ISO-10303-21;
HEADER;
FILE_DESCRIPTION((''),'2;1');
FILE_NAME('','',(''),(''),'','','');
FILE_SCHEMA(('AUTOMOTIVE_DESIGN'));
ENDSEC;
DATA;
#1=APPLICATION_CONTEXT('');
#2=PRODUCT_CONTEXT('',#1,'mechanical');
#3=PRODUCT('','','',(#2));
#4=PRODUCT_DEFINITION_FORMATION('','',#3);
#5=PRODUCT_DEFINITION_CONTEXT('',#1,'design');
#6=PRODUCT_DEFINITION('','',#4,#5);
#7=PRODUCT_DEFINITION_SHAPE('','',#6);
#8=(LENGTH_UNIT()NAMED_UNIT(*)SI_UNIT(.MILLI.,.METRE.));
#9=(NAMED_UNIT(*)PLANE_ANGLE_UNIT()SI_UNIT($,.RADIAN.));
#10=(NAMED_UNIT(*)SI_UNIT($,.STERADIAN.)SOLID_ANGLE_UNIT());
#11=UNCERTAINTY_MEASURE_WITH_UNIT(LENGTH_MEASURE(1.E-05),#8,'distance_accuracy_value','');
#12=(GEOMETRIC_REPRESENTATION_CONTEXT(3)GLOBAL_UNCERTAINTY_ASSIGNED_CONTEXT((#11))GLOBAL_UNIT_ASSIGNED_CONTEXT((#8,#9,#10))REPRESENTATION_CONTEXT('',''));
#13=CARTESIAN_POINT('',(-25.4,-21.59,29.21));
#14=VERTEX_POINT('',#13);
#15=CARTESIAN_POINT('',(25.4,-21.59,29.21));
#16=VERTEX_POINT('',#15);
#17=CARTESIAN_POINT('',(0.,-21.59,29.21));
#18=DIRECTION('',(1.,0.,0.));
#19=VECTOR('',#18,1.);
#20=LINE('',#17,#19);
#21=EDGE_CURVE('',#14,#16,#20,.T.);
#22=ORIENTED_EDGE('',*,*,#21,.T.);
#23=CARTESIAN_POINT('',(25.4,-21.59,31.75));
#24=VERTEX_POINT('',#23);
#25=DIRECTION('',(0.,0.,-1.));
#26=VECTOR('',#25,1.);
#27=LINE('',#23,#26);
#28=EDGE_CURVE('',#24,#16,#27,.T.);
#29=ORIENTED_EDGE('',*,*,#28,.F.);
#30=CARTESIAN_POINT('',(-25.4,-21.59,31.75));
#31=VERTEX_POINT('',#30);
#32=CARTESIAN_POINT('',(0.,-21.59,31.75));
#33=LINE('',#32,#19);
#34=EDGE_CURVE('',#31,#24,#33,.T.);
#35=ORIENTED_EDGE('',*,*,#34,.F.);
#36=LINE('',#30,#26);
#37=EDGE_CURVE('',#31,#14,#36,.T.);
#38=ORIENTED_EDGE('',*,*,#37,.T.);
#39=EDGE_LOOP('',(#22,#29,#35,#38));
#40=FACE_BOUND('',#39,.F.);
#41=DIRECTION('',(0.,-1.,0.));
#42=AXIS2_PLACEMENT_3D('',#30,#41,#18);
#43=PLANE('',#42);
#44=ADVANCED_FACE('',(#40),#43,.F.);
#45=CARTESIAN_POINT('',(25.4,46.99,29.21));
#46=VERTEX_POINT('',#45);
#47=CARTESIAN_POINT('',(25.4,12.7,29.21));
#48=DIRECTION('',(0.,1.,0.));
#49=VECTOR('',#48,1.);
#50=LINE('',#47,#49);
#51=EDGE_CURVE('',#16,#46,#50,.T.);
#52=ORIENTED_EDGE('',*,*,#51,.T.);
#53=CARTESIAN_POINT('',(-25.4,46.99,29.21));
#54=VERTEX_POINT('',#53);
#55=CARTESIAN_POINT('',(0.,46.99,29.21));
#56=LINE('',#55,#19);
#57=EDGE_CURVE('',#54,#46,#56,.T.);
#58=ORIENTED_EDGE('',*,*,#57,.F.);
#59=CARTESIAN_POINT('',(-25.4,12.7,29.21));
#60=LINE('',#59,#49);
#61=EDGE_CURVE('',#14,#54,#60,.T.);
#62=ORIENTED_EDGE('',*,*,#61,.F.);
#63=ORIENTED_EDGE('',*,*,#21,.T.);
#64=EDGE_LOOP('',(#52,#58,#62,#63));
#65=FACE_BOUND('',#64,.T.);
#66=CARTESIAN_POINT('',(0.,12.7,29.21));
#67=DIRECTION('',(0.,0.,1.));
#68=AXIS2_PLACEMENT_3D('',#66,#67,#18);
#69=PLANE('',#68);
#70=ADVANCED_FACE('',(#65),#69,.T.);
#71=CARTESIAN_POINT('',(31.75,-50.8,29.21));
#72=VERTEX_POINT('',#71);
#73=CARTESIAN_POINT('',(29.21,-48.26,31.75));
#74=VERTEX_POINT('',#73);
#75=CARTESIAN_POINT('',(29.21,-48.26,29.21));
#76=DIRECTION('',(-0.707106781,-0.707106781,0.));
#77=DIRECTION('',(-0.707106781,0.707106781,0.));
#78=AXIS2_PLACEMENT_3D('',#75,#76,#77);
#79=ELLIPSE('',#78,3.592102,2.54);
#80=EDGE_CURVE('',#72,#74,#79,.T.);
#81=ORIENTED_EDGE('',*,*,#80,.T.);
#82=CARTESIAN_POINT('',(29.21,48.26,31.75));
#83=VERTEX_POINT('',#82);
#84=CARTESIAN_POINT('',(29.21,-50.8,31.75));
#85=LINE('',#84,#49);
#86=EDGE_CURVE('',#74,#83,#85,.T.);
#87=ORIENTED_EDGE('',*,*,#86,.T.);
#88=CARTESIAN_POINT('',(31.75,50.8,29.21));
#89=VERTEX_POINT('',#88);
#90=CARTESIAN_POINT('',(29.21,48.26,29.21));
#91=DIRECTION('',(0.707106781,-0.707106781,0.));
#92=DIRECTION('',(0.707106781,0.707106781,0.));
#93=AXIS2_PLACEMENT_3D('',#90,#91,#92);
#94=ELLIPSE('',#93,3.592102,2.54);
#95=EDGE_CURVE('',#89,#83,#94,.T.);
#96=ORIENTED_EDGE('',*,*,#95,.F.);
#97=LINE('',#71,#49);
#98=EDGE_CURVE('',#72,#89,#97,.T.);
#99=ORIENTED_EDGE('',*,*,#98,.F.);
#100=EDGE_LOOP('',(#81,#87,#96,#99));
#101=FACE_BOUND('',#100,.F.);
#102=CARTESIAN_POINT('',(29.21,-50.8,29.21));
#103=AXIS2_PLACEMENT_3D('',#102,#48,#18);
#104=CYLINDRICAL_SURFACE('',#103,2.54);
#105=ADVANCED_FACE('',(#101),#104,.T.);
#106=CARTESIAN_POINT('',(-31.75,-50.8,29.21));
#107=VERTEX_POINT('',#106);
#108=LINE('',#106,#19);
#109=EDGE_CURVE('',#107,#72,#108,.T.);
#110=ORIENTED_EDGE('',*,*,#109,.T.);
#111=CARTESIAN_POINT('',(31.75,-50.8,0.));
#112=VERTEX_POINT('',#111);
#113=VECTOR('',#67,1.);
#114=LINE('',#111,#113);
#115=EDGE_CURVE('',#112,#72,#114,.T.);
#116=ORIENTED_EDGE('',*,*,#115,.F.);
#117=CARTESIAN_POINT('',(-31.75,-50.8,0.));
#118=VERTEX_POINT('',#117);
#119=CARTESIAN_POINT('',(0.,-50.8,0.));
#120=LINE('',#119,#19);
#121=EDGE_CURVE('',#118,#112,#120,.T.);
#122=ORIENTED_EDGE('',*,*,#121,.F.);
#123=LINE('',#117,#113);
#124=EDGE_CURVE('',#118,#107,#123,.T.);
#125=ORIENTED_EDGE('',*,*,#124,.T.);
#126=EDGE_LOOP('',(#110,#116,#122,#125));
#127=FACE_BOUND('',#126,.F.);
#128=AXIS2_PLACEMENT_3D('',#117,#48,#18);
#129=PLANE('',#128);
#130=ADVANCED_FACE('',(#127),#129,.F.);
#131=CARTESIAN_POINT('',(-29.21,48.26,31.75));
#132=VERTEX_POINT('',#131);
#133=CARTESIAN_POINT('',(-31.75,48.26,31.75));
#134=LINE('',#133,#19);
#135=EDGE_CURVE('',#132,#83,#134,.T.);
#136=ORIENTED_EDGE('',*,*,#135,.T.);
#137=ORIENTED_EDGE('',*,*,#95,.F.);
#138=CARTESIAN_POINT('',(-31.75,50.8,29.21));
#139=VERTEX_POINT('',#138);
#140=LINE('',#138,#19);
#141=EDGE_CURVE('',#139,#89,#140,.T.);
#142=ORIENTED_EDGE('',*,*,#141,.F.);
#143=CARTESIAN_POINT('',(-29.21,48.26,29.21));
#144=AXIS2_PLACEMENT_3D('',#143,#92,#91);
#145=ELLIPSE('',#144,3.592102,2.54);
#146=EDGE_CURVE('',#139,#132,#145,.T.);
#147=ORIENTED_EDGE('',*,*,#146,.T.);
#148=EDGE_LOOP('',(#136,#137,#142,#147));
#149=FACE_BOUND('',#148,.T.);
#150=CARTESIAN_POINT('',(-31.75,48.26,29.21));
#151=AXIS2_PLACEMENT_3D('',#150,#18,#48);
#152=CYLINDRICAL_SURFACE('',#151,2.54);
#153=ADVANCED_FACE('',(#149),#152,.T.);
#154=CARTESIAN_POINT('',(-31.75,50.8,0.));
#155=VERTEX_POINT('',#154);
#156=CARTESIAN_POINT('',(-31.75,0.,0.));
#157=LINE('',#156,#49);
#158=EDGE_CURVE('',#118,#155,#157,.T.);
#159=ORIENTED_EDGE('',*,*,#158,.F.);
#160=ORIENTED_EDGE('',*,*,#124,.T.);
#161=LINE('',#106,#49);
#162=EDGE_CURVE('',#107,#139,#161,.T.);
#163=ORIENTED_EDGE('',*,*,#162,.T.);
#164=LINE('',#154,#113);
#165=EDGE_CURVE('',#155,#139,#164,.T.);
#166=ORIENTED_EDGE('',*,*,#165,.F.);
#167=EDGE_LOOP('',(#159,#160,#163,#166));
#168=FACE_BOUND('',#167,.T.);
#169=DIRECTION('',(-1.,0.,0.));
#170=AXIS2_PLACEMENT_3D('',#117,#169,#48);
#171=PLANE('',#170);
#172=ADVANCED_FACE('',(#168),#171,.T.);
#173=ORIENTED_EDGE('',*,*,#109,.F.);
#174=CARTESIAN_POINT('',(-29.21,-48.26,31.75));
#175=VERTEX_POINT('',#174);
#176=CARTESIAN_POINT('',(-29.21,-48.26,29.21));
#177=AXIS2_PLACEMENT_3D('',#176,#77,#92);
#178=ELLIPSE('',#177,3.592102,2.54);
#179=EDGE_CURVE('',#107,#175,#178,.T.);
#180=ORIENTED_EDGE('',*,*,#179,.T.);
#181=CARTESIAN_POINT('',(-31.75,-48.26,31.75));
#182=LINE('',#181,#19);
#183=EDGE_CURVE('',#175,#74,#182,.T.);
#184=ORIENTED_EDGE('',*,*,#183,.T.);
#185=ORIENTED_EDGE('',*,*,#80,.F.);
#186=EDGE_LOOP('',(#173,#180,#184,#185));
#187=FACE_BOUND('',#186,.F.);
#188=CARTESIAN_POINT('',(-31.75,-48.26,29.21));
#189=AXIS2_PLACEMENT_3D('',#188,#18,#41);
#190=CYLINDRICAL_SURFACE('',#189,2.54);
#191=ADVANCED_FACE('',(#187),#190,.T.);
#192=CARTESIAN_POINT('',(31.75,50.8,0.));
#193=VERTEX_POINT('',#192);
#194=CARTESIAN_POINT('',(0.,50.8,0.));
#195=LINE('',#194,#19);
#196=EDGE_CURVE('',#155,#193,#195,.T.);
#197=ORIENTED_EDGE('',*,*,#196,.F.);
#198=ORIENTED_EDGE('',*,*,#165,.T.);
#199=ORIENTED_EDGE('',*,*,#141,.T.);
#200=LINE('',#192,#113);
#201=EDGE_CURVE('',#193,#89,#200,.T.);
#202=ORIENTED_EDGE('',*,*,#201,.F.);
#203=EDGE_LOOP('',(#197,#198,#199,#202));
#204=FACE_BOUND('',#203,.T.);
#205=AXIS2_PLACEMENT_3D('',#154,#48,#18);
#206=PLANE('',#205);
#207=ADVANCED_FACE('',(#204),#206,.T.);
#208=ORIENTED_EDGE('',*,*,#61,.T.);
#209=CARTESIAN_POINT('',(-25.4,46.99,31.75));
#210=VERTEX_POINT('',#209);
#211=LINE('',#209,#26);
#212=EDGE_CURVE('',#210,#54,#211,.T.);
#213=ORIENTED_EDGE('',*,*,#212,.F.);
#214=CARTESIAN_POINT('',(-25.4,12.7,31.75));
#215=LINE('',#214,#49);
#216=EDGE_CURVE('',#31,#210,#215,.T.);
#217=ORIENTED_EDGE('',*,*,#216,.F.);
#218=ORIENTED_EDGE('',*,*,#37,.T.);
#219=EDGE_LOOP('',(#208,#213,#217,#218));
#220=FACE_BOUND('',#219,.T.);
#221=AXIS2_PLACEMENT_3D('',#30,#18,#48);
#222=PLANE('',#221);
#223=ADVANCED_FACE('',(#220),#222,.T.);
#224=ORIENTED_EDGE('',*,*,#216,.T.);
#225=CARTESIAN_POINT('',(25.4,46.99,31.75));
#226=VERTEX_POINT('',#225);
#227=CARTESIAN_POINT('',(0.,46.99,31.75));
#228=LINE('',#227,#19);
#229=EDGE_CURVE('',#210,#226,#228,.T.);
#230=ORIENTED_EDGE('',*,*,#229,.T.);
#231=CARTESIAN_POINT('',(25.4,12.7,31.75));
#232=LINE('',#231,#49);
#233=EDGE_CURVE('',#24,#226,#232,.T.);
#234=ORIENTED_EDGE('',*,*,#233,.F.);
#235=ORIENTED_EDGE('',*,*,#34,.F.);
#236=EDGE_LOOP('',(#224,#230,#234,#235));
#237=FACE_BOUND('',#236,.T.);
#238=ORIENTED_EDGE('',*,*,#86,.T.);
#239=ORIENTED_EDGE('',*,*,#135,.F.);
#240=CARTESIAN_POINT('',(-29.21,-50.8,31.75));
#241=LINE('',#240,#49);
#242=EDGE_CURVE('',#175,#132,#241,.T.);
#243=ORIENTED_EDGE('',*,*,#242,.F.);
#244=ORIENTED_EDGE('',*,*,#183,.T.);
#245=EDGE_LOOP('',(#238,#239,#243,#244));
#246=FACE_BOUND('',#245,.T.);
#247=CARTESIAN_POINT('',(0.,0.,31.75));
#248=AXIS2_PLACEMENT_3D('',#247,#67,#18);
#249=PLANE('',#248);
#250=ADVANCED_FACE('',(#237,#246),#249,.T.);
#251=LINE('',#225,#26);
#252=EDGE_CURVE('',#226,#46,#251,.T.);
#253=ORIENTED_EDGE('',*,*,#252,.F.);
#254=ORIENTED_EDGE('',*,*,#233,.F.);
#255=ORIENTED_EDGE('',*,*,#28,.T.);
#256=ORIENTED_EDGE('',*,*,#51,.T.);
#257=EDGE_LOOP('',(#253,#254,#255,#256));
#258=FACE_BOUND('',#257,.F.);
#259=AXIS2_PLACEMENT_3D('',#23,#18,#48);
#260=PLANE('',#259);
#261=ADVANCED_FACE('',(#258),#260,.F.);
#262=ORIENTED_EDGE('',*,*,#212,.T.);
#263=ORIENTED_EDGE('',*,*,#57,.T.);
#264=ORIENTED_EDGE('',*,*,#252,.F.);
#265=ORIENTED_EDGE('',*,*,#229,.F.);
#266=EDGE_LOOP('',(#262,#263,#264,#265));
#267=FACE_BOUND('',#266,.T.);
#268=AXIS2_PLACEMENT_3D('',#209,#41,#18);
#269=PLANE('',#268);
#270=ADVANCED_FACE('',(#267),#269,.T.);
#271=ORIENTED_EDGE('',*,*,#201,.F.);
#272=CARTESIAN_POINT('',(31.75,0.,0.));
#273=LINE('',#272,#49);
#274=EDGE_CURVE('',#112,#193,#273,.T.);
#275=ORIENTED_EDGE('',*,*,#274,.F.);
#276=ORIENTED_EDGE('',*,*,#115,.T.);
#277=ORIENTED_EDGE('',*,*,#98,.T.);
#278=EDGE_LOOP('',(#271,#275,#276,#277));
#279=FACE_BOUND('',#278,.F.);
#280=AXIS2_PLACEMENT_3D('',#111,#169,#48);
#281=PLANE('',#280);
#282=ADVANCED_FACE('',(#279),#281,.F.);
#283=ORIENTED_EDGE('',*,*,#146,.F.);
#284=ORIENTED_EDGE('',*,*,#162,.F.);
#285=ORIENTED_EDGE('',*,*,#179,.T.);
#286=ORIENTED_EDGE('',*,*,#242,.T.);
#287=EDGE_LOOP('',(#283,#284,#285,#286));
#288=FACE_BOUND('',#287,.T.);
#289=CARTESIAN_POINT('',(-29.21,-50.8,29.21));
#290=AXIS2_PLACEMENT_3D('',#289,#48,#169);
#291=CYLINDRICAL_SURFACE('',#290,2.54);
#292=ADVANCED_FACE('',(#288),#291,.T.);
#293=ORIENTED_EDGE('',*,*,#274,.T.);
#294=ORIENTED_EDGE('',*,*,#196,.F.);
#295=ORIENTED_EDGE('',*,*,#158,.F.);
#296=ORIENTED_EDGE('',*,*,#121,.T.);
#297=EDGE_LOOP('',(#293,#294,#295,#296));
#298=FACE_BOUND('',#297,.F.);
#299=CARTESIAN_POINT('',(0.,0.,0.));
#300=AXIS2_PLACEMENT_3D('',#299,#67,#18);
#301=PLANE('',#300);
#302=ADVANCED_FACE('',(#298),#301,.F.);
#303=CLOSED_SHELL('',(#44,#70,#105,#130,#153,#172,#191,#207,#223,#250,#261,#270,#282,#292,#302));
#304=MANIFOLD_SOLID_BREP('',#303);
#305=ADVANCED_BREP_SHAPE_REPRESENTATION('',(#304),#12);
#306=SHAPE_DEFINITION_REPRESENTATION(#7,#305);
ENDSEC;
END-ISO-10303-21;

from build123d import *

# Parameters (mm, degrees)
F0_W     = 63.5
F0_H     = 101.6
F1_DEPTH = 31.75
F2_R     = 2.54
F3_W     = 50.8
F3_H     = 68.58
F4_DEPTH = 2.54


with BuildPart() as f1:
    # F0 (on Top) → F1 (new body)
    with BuildSketch(Plane.XY):
        Rectangle(F0_W, F0_H)
    extrude(amount=F1_DEPTH)

    # F2
    f2_edges = [f1.edges().sort_by_distance(p)[0] for p in [
        (0, 50.8, 31.75),
        (-31.75, 0, 31.75),
        (31.75, 0, 31.75),
        (0, -50.8, 31.75),
    ]]
    fillet(f2_edges, radius=F2_R)

    # F3 (on face) → F4 (cut)
    with BuildSketch(Plane.XY.offset(31.75)):
        with Locations((0, 12.7)):
            Rectangle(F3_W, F3_H)
    extrude(amount=-F4_DEPTH, mode=Mode.SUBTRACT)


solid = f1.part
